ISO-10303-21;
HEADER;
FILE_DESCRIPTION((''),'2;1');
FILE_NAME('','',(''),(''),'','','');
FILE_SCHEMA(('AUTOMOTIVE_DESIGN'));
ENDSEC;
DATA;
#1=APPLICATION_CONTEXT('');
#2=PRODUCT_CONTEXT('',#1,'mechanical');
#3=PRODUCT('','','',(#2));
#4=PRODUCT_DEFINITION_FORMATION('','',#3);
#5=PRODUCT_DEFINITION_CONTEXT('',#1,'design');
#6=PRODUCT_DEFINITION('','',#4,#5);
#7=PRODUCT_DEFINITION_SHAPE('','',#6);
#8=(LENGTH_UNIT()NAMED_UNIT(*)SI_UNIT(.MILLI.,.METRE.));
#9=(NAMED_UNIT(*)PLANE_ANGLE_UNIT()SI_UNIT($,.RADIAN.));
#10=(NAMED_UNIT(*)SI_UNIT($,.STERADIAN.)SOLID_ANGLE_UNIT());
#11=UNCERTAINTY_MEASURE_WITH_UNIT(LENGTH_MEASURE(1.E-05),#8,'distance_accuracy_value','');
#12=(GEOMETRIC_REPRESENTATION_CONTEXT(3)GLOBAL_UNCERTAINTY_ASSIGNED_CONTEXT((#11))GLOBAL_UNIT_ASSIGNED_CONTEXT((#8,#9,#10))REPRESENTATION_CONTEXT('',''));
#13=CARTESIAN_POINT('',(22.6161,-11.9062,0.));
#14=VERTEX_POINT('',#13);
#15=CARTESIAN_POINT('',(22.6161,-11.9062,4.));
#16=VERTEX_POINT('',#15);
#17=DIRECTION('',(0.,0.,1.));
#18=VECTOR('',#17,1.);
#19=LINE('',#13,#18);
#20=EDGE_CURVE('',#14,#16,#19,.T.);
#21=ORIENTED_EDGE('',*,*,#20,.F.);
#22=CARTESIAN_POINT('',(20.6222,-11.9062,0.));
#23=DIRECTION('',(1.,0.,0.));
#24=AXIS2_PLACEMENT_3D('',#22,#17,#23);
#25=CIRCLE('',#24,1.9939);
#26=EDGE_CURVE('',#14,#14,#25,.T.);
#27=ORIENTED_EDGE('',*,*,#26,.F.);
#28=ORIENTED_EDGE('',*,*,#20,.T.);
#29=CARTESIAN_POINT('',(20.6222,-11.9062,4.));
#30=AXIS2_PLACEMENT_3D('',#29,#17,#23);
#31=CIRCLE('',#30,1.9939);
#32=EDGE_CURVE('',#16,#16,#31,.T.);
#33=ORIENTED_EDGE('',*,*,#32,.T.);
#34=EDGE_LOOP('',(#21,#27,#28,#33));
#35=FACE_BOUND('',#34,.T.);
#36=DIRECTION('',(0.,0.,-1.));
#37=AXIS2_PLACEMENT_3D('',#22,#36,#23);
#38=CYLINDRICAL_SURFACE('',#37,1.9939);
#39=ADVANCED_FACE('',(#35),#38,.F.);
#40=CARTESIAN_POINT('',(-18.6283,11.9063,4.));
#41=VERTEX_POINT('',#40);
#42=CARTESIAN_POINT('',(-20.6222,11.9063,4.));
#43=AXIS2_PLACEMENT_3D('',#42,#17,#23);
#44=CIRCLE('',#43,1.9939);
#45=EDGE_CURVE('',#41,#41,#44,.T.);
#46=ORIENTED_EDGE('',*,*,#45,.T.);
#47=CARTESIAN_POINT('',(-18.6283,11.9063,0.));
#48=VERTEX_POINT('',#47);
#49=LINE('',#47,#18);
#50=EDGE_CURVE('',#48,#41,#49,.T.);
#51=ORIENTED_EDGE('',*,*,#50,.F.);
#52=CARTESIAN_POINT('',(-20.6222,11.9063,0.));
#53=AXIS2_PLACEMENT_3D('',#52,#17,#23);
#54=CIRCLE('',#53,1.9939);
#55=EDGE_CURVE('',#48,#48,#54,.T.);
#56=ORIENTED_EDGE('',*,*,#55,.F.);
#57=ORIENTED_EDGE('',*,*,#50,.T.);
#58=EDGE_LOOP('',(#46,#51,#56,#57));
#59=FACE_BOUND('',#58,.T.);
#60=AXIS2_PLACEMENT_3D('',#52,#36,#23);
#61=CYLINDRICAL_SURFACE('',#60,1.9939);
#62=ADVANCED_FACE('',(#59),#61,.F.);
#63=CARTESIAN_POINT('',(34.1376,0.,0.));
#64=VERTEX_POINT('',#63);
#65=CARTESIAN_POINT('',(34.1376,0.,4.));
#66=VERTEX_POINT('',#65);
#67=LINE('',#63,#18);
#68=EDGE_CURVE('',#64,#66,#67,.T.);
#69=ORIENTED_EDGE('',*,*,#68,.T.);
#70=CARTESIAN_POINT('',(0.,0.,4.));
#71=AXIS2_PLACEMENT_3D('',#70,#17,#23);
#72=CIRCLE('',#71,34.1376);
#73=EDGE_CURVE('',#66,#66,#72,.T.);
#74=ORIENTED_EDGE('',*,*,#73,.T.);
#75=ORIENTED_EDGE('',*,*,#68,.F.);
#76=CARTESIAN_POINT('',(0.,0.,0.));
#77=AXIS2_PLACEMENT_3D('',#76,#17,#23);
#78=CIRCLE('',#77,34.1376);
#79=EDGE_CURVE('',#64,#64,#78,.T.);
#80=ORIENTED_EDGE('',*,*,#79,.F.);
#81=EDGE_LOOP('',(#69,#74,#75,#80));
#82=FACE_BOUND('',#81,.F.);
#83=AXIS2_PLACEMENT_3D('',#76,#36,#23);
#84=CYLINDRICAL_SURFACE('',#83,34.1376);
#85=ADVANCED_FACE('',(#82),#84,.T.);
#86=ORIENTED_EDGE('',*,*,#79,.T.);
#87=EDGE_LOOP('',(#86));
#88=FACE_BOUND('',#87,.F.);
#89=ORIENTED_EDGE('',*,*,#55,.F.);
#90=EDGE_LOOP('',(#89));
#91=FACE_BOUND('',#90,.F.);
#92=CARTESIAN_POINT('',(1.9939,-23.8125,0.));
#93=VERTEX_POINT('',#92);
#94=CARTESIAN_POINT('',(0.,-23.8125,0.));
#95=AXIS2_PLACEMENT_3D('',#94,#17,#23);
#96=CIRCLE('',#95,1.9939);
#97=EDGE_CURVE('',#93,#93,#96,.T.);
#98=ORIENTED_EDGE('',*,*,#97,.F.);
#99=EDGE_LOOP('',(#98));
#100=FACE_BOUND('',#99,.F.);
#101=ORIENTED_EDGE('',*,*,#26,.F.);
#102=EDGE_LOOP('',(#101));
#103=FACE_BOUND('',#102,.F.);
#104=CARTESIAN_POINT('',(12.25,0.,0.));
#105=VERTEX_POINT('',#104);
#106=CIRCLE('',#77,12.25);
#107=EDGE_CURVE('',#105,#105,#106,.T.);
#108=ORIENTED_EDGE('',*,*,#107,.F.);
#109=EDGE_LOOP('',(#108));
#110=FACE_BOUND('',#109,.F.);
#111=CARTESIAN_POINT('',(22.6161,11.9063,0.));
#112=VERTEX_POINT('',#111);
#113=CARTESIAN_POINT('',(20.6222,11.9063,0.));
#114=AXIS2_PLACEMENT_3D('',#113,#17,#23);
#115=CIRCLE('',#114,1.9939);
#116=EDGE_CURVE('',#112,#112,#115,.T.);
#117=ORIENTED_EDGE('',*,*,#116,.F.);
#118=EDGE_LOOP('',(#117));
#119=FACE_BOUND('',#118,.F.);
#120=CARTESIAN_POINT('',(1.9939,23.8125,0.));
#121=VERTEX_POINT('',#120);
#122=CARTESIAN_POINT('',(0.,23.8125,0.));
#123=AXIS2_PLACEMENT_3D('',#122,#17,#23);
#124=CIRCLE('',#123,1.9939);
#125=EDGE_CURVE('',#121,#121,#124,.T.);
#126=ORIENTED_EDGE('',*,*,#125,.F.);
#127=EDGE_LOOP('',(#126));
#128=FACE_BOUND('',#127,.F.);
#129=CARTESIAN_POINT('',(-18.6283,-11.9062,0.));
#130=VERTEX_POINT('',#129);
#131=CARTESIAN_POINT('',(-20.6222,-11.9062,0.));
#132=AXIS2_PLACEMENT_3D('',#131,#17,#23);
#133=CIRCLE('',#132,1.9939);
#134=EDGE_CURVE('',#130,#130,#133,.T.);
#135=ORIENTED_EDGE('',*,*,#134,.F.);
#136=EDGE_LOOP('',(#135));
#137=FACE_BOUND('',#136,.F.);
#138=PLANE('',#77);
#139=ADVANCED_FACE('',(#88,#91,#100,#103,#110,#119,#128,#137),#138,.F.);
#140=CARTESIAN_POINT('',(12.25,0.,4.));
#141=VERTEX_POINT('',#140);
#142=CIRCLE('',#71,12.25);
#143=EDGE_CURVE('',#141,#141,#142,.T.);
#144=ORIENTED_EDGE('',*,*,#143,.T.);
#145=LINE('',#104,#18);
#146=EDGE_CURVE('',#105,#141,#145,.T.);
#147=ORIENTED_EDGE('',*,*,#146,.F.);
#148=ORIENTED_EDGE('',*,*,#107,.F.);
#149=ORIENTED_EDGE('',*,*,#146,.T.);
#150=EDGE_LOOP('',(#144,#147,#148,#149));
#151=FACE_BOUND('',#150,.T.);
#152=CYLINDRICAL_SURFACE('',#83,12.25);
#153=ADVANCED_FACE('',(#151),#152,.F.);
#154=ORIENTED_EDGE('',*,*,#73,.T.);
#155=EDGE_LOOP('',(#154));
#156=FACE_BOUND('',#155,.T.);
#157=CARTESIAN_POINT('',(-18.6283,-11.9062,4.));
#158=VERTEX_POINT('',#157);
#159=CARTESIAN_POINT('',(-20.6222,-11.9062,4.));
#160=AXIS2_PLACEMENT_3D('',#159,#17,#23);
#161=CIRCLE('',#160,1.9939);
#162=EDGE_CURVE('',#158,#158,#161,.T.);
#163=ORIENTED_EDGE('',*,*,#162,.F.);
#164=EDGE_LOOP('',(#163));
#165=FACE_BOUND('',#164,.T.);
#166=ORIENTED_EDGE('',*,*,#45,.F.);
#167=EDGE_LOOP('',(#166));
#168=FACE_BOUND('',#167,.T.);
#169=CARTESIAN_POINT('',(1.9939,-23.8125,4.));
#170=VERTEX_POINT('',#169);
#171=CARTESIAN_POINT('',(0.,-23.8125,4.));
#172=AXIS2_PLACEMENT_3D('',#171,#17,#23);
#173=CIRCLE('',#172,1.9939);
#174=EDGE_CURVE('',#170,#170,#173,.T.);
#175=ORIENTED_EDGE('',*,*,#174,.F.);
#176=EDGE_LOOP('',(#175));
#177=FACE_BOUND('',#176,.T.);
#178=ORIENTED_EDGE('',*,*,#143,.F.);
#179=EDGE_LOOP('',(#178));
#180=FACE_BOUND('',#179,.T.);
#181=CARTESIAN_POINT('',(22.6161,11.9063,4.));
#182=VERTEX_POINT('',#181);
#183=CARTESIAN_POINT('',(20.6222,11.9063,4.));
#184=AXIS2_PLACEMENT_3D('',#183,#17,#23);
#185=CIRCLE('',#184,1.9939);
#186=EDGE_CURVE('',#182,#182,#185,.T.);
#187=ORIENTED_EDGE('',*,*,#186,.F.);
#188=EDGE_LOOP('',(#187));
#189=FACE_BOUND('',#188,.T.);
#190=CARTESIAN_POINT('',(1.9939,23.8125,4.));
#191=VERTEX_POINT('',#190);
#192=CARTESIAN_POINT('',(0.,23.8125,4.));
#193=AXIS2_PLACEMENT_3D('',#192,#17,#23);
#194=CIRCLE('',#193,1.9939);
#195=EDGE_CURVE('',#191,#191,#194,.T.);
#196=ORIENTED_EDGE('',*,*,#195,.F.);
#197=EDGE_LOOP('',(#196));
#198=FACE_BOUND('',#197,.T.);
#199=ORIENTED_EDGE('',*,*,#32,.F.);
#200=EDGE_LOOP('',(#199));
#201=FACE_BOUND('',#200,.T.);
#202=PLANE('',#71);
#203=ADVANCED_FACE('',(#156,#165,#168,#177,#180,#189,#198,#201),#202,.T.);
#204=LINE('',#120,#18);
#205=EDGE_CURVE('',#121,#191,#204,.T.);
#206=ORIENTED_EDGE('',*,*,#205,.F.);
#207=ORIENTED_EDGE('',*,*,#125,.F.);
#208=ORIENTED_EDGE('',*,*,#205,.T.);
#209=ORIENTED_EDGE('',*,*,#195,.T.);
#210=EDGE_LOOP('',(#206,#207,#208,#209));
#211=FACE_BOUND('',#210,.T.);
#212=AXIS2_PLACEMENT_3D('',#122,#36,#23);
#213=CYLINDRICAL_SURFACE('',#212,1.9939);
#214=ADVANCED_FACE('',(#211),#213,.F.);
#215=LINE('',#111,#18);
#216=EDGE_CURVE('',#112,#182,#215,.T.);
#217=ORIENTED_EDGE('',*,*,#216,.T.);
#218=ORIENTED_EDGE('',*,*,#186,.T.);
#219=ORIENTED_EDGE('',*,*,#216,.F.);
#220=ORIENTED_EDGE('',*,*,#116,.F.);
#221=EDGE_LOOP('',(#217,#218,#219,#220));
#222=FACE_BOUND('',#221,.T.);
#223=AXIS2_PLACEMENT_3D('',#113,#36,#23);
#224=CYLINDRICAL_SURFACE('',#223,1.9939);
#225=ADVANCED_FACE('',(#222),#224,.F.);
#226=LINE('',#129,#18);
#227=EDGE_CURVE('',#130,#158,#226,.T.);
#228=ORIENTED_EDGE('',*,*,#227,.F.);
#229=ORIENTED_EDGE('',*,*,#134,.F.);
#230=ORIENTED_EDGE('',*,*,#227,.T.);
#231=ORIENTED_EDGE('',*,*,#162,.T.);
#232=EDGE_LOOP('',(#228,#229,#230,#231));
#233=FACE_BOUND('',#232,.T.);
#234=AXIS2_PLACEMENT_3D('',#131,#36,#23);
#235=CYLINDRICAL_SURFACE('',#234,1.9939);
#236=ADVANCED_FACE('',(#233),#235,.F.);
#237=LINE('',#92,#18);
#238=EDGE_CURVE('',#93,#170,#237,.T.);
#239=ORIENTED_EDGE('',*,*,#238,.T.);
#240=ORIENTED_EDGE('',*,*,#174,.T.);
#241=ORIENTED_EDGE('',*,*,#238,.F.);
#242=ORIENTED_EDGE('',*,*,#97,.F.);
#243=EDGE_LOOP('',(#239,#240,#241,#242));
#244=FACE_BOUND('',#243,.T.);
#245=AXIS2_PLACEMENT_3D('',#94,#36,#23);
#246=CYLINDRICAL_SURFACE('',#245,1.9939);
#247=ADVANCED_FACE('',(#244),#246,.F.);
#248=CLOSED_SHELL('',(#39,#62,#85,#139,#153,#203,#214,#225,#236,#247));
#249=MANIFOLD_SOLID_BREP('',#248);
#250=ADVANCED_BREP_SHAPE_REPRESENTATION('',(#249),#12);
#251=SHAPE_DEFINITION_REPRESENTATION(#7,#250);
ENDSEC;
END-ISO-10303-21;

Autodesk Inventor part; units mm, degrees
ref_plane "YZ Plane" through (0, 0, 0) normal (1, 0, 0) x (0, 1, 0)
ref_plane "XZ Plane" through (0, 0, 0) normal (0, 1, 0) x (-1, 0, 0)
ref_plane "XY Plane" through (0, 0, 0) normal (0, 0, 1) x (1, 0, 0)
sketch "Base" plane through (0, 0, 0) normal (0, 0, 1) x (1, 0, 0)
  circle A0 centre (0, 0) radius 34.1376
  circle A1 centre (0, 23.8125) radius 1.9939 projected
  circle A2 centre (20.6222, 11.9063) radius 1.9939 projected
  circle A3 centre (20.6222, -11.9062) radius 1.9939 projected
  circle A4 centre (0, -23.8125) radius 1.9939 projected
  circle A5 centre (-20.6222, -11.9062) radius 1.9939 projected
  circle A6 centre (-20.6222, 11.9063) radius 1.9939 projected
  circle A7 centre (0, 0) radius 12.25
  dimension "d2" = 68.2752
  dimension "d9" = 24.5
extrude "BaseFeature" add sketch "Base" along normal blind 4
equation "\"BendRadius\" = Thickness"
equation "\"BendReliefWidth\" = Thickness"
equation "\"BendReliefDepth\" = 0.5 * Thickness"
equation "\"CornerReliefSize\" = 4 * Thickness"
equation "\"MinimumRemnant\" = 2 * Thickness"
equation "\"TransitionRadius\" = BendRadius"
equation "\"JacobiRadiusSize\" = BendRadius"
equation "\"GapSize\" = Thickness"
equation "\"d6\" = Thickness"
equation "\"Thickness\" = 3.048"
properties part number "WheelSproketHub"
